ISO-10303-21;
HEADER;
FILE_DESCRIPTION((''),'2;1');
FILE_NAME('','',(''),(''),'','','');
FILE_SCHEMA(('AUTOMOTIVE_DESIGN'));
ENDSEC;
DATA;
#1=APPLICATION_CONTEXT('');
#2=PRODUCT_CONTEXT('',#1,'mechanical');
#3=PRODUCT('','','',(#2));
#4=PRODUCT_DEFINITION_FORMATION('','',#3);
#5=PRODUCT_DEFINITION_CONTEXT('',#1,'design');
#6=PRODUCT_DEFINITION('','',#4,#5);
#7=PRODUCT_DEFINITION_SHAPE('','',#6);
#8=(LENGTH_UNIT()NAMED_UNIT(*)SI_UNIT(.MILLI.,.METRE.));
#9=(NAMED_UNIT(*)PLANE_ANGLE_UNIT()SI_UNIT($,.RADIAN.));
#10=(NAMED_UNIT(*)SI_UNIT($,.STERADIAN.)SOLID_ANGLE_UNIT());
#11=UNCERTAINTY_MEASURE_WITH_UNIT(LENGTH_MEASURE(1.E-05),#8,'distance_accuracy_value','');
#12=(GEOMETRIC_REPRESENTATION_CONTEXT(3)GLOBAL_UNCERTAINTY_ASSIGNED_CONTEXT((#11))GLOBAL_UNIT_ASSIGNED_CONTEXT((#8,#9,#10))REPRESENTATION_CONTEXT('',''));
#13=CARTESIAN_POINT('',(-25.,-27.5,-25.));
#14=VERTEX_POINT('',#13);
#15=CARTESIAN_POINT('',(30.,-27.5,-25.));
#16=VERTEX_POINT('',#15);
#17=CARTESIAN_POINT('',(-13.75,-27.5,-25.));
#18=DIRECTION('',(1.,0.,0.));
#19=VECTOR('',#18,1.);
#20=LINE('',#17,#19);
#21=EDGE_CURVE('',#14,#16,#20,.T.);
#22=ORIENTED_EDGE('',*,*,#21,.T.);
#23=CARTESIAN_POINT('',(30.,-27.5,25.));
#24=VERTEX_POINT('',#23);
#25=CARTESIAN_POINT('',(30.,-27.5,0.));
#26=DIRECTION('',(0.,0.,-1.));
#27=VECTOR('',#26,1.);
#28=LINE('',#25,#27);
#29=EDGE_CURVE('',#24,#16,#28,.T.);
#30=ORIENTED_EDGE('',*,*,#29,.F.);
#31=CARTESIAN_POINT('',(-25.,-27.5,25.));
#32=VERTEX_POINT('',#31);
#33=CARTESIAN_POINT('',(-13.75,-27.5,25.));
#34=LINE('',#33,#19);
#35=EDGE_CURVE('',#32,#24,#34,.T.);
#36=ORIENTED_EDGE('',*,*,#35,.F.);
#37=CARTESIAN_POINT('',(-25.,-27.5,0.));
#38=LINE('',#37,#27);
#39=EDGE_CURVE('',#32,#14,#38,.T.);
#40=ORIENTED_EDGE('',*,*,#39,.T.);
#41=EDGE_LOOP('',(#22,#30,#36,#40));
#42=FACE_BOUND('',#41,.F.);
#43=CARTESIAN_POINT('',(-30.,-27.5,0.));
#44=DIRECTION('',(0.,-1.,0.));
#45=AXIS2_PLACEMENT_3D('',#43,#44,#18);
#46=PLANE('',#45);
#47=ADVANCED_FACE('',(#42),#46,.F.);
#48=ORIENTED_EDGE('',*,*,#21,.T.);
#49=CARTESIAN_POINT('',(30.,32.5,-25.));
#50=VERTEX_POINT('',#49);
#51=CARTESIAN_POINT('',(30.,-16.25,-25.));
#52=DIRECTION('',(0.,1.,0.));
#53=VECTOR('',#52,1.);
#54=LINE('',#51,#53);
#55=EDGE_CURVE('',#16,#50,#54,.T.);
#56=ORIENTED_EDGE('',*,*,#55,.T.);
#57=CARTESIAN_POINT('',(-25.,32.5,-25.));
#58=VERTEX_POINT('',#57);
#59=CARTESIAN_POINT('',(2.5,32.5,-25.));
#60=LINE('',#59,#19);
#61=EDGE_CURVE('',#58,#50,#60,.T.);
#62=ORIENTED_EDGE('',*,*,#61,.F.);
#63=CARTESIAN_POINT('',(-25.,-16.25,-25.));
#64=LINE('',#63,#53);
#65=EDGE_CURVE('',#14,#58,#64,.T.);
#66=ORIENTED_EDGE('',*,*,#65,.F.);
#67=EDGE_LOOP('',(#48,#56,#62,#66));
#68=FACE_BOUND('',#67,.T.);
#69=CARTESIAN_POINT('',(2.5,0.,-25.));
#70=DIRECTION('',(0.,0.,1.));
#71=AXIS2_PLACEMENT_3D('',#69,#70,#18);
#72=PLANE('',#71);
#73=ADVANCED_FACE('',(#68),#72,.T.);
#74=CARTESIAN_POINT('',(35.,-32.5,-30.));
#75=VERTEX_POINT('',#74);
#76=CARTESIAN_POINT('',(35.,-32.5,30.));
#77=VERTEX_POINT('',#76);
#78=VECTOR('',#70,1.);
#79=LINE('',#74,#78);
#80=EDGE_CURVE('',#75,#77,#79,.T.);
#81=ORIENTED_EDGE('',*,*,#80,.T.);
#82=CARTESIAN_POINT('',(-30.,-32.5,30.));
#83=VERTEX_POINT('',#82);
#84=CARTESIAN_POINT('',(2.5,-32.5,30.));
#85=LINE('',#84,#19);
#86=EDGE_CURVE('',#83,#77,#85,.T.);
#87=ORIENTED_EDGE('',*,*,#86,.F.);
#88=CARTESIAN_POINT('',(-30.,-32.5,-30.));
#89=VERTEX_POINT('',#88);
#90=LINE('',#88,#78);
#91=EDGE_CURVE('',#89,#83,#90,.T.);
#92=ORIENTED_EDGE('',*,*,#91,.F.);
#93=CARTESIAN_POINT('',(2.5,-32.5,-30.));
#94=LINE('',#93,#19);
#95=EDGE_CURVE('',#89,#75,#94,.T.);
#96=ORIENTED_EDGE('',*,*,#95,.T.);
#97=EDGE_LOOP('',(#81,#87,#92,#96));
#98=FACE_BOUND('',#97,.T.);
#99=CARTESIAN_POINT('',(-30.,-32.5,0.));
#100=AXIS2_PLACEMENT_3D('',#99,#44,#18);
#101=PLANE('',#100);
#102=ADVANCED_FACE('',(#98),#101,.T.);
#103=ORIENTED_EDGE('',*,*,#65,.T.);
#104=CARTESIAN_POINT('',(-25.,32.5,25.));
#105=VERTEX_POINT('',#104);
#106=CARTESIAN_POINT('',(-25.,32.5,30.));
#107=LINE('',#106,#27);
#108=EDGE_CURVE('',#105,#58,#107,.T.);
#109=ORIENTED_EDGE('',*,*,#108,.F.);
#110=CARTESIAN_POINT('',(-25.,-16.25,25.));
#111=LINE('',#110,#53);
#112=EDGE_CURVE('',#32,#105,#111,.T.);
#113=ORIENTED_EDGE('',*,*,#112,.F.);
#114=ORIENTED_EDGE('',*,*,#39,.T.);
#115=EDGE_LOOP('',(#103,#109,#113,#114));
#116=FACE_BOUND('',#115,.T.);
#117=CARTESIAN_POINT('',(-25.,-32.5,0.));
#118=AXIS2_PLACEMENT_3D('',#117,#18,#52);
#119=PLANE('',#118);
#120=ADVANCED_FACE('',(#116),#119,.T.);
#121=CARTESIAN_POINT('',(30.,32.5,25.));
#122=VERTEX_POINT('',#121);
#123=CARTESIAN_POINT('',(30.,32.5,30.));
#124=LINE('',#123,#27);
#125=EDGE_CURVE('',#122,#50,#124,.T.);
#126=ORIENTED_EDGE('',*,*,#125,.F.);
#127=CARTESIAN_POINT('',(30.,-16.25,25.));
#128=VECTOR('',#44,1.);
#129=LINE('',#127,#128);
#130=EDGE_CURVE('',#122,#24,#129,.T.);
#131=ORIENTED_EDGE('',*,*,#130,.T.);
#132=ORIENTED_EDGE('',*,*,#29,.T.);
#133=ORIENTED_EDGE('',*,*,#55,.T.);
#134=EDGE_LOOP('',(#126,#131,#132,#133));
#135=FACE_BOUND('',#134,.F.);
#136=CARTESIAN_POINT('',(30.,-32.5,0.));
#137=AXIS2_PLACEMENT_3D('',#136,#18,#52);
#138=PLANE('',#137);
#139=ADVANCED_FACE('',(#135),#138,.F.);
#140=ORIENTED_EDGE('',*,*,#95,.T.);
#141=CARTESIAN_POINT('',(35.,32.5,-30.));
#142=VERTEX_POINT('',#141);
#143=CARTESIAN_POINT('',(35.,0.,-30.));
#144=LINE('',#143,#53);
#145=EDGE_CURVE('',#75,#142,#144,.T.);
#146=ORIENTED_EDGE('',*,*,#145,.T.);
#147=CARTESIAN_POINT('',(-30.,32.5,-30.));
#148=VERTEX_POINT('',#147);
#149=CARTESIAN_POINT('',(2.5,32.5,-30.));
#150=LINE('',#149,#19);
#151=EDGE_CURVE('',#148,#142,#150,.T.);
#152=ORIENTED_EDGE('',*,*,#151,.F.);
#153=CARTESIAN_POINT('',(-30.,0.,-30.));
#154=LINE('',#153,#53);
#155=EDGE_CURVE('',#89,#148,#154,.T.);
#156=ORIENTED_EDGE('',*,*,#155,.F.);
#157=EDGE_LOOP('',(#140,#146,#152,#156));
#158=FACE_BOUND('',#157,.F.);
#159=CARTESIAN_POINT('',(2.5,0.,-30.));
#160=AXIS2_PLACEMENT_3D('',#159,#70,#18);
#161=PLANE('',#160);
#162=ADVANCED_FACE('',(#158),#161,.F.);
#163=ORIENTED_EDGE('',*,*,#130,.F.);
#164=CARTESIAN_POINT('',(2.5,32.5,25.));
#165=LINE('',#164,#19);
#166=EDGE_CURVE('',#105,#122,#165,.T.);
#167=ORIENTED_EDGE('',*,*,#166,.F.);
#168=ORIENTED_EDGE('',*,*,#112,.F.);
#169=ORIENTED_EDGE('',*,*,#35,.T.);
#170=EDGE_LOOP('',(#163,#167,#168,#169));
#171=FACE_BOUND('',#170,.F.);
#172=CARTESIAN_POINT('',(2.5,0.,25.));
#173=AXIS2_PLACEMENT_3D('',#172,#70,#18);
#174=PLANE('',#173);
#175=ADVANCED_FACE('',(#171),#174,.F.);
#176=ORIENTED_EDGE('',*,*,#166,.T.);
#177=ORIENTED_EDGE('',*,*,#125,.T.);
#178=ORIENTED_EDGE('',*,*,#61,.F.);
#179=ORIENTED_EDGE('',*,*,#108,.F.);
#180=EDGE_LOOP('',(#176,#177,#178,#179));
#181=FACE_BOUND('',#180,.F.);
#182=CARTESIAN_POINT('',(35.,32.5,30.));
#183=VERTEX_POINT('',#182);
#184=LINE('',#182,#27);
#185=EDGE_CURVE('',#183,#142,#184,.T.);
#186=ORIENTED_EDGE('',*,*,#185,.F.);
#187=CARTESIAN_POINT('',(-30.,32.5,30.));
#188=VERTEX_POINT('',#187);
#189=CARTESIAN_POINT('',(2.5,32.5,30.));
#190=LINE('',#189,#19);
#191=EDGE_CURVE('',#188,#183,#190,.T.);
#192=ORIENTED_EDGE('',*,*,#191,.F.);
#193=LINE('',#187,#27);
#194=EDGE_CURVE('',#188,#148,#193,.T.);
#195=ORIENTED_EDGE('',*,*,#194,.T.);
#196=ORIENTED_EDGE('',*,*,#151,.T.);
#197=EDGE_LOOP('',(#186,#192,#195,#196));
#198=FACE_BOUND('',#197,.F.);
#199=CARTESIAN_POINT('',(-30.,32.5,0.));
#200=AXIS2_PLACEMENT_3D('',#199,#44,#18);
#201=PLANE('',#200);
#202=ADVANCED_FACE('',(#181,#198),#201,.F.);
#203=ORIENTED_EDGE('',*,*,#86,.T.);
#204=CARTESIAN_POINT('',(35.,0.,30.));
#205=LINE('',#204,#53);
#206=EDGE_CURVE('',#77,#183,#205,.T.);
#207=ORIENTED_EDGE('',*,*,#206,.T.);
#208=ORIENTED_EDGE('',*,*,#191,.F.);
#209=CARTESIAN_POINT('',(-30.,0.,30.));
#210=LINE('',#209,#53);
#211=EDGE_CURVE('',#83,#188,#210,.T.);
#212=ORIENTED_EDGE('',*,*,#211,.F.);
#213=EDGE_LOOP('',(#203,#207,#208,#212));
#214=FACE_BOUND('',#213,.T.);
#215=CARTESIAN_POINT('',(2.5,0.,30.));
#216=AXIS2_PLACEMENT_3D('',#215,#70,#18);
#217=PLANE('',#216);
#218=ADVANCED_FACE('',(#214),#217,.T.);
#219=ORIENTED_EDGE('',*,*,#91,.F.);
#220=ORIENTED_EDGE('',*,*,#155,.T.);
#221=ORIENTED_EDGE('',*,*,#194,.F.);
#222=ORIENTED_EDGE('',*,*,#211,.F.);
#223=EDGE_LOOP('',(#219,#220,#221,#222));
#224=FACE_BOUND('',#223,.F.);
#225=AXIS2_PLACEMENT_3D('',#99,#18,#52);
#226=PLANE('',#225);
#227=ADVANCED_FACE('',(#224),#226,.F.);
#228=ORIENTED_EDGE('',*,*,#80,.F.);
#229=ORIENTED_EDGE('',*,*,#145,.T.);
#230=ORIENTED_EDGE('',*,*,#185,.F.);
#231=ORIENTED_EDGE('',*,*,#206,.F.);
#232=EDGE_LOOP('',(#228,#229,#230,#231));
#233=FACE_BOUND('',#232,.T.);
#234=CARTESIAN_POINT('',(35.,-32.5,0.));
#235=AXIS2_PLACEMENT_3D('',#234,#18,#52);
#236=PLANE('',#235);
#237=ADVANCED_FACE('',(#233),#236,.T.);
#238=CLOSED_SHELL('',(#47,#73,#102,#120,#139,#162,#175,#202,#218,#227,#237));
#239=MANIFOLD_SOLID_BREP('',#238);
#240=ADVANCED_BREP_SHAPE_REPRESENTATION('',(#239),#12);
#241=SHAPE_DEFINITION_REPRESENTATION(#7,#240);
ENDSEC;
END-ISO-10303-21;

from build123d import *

# Parameters (mm, degrees)
F0_W     = 65
F0_H     = 65
F1_DEPTH = 30
F2_T     = -5


with BuildPart() as f1:
    # F0 (on Top) → F1 (new body, symmetric)
    with BuildSketch(Plane.XY):
        with Locations((2.5, 0)):
            Rectangle(F0_W, F0_H)
    extrude(amount=F1_DEPTH, both=True)

    # F2
    f2_openings = [f1.faces().sort_by_distance(p)[0] for p in [
        (2.5, 32.5, 0),
    ]]
    offset(amount=F2_T, openings=f2_openings)


solid = f1.part
